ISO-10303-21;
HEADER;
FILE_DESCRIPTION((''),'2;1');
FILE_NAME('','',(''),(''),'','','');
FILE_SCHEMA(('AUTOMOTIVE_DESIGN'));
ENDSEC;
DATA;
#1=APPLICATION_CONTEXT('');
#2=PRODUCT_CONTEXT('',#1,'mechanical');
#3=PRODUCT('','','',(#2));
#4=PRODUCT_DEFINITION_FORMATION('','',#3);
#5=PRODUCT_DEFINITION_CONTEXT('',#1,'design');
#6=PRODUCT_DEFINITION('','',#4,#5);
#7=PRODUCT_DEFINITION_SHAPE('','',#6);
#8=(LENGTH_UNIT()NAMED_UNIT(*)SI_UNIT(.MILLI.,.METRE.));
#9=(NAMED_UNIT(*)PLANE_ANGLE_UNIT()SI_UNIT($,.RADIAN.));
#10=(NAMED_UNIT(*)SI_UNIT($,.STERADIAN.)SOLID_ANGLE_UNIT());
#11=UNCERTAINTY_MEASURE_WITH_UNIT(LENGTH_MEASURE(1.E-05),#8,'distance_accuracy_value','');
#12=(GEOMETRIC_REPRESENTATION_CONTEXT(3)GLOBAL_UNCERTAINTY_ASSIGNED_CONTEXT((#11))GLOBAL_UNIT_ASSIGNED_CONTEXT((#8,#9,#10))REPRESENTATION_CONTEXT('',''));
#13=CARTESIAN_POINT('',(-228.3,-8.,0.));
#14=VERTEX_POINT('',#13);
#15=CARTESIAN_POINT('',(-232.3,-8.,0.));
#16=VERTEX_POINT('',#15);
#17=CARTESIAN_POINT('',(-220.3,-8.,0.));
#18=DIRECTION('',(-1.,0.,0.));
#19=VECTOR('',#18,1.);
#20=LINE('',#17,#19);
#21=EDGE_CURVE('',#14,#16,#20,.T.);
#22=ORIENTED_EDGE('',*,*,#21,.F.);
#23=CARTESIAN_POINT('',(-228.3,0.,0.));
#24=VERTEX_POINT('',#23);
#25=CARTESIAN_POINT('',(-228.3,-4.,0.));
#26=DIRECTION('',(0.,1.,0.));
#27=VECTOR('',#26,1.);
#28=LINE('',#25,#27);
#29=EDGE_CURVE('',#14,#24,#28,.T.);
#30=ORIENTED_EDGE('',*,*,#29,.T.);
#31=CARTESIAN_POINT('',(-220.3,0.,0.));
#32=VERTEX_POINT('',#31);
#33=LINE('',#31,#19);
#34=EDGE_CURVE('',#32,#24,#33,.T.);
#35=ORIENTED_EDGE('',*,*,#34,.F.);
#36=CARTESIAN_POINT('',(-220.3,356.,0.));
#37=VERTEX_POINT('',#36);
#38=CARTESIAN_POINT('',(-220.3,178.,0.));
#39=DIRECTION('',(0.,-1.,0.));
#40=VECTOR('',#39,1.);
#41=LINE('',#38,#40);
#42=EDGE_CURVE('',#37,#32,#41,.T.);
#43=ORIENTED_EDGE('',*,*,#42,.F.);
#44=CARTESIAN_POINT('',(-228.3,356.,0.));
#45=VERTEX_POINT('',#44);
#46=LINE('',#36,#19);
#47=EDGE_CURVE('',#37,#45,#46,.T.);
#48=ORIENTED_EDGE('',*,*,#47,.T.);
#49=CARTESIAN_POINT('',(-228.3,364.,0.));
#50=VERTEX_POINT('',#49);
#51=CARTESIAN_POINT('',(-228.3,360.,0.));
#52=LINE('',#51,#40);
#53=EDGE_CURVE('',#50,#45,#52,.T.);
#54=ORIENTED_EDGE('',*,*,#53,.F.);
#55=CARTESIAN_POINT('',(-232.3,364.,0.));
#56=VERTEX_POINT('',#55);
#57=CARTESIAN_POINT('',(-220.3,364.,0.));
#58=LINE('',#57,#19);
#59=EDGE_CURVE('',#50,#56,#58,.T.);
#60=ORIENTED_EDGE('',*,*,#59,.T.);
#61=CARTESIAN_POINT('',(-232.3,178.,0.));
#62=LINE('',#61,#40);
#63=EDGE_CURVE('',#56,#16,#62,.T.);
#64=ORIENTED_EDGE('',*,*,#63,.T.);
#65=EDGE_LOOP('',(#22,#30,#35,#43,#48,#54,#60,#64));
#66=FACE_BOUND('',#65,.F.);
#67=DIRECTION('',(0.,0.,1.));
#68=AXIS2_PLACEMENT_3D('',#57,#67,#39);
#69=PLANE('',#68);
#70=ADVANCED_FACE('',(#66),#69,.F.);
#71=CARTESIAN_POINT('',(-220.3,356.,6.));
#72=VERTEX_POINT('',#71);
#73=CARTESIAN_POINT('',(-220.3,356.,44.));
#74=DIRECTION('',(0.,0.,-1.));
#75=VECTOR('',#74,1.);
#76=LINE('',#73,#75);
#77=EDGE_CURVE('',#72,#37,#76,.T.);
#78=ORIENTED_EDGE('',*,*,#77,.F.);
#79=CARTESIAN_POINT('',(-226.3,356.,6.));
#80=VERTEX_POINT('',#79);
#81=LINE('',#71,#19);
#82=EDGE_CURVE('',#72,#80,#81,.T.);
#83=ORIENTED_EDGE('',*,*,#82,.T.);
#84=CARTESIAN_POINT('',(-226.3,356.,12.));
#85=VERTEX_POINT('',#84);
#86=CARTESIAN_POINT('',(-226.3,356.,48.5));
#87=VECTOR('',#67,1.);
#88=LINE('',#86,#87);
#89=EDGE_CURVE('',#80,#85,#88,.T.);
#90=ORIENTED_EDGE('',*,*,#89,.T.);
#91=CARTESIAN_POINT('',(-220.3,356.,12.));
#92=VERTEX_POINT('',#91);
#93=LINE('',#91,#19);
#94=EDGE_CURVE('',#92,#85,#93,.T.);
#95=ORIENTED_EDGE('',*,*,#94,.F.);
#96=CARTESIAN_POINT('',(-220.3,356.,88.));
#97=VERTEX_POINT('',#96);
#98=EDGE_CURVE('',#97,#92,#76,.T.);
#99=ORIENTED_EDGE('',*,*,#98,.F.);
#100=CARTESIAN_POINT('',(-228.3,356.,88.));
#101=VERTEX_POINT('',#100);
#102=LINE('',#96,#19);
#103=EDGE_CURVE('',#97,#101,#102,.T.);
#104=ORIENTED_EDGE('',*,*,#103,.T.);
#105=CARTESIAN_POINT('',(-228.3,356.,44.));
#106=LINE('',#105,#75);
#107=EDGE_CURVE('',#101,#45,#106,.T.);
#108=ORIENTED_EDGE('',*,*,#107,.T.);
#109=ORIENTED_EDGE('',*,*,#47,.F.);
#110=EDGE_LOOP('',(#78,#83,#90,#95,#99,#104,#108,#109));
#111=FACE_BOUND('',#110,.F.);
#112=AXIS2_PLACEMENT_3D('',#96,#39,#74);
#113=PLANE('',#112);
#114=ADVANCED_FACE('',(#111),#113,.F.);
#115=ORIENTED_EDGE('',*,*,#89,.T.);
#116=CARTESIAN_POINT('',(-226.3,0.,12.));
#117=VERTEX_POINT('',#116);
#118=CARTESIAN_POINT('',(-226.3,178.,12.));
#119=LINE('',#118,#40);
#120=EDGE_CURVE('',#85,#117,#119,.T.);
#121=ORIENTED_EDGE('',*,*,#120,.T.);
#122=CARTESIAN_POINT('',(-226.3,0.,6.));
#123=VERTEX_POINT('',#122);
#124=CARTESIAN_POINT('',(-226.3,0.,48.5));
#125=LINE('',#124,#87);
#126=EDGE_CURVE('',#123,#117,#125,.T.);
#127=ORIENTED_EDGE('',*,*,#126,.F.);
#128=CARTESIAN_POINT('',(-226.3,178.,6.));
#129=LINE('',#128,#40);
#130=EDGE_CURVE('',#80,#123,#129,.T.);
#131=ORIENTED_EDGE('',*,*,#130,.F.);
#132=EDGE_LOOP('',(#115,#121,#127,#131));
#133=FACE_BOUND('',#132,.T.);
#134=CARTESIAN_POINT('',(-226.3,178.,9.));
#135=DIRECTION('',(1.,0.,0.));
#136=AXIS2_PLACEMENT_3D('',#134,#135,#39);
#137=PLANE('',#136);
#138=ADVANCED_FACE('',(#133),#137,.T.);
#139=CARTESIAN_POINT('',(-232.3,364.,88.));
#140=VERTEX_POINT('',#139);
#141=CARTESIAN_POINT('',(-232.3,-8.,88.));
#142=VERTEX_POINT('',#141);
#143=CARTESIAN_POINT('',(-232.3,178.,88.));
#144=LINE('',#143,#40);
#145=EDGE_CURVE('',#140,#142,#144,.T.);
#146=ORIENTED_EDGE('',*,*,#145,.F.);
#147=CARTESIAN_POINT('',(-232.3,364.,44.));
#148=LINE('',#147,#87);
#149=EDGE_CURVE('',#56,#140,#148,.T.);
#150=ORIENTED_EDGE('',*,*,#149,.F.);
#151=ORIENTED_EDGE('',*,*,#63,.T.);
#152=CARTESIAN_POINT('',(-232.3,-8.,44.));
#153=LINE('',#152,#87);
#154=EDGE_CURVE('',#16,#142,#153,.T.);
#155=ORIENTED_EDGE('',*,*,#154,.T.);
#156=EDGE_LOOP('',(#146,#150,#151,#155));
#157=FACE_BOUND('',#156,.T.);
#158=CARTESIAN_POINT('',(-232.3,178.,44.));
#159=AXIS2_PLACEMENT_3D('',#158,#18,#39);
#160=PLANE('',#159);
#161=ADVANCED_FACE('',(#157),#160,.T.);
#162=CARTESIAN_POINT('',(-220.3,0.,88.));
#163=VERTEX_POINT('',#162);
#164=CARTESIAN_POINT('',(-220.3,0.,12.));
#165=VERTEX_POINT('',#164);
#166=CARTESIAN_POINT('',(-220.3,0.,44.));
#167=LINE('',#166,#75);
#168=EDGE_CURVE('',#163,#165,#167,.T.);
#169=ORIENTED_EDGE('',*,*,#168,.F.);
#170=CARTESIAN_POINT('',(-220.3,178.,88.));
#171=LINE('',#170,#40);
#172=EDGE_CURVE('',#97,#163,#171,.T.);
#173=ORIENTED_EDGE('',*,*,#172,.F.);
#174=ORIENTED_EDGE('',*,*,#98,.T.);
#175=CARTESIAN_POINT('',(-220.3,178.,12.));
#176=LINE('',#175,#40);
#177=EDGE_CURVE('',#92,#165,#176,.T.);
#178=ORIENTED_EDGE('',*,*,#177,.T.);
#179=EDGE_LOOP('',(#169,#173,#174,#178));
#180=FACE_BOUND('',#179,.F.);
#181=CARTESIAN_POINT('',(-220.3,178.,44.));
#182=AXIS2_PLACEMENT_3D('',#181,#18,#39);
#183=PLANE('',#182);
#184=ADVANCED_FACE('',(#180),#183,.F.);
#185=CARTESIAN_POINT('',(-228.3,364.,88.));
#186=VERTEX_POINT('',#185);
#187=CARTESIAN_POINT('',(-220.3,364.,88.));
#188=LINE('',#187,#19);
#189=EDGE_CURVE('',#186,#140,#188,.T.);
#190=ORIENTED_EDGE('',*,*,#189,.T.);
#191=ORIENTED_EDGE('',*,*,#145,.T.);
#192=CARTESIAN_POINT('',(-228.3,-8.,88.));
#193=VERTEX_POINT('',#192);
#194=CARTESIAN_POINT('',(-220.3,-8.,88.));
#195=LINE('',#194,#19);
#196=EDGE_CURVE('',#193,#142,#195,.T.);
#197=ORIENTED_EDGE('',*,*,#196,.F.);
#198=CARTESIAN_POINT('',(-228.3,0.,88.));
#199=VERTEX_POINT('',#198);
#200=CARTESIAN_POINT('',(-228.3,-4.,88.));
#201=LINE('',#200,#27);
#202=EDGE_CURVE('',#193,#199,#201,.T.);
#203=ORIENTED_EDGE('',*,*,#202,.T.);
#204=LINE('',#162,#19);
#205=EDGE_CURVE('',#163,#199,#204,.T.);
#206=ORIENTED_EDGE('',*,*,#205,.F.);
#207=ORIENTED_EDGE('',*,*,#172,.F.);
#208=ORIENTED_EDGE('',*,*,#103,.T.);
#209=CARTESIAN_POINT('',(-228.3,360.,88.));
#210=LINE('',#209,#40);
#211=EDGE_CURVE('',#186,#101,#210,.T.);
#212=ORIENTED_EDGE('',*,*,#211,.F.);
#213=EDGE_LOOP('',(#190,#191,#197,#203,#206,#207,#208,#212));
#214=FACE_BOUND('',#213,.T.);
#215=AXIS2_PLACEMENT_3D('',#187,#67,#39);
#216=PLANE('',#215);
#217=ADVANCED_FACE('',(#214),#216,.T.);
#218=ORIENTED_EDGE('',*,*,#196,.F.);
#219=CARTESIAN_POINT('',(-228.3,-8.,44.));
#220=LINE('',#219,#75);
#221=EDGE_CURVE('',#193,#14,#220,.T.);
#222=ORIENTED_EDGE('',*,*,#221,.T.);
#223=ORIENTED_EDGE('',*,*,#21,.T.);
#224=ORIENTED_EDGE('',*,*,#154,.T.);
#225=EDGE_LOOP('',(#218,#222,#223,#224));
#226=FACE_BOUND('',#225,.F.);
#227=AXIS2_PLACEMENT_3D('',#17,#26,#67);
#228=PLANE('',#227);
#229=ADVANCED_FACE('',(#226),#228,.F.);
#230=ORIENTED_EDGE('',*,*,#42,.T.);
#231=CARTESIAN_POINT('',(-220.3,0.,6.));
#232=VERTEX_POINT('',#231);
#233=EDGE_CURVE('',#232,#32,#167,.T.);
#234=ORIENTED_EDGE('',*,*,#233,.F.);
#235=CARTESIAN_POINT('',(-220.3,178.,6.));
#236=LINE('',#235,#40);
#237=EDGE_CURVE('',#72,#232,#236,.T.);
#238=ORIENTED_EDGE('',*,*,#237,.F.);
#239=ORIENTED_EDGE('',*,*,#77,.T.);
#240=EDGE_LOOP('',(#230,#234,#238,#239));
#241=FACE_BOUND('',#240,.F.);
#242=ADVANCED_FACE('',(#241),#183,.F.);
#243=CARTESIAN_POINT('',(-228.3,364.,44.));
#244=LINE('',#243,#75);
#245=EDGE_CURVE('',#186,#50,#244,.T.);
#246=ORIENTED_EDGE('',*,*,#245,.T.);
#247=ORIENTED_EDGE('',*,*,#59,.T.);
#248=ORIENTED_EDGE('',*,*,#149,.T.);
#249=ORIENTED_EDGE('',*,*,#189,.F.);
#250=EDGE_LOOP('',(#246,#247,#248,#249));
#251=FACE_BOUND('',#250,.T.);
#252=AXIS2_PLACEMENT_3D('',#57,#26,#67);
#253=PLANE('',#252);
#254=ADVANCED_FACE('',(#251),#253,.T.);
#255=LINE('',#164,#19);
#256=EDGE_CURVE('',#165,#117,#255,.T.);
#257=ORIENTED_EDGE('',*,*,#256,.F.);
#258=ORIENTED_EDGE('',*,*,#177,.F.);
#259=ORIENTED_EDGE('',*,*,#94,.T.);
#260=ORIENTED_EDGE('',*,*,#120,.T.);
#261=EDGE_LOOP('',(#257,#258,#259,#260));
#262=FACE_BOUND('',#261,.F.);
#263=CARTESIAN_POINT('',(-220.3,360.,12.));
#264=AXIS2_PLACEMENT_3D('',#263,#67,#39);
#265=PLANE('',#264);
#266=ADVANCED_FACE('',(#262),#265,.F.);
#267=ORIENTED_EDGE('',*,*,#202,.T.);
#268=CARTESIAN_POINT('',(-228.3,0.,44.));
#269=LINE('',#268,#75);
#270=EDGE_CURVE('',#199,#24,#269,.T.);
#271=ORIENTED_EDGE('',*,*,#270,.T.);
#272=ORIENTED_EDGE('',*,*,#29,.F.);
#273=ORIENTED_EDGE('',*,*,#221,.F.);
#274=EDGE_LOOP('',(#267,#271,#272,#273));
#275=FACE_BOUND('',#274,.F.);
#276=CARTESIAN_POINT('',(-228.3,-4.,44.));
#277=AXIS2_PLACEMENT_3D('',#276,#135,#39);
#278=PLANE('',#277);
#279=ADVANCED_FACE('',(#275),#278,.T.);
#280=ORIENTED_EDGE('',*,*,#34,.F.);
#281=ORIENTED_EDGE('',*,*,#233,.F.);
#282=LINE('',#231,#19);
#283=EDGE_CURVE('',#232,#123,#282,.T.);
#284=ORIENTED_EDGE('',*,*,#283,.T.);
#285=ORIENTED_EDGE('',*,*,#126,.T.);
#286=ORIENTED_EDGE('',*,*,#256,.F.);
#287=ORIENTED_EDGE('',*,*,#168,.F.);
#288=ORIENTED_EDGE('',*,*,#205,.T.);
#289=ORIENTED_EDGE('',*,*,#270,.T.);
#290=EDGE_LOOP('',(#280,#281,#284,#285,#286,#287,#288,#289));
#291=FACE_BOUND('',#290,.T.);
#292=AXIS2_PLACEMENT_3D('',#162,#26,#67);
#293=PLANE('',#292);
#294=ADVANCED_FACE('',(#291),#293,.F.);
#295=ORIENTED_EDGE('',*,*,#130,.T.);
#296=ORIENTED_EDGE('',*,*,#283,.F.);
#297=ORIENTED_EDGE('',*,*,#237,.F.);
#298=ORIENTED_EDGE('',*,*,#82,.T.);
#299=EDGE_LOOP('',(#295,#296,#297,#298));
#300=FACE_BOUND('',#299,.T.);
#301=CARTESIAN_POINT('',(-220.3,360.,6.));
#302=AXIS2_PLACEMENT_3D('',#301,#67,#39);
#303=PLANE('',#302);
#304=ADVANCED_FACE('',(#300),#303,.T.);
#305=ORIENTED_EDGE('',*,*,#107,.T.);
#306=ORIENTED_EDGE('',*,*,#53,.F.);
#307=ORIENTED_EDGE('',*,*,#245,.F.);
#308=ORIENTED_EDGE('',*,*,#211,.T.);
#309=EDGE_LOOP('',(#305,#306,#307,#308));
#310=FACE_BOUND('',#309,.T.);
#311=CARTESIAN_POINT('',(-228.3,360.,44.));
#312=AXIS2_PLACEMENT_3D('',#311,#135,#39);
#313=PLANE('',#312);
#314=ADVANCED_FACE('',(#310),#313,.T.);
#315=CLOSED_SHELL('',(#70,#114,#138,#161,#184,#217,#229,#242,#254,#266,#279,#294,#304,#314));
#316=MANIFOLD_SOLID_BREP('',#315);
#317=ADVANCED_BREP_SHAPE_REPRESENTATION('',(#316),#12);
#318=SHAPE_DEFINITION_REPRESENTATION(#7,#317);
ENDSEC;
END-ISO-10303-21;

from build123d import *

# Parameters (mm, degrees)
SKETCH062_W             = 372
SKETCH062_H             = 88
PAD023_DEPTH            = 12
SKETCH063_W             = 8
SKETCH063_H             = 88
POCKET038_DEPTH         = 8
SKETCH064_W             = 364
SKETCH064_H             = 6
POCKET039_DEPTH         = 6
BODY022_ROLL_ANGLE      = 90
BODY022_PLACEMENT_ANGLE = -90


with BuildPart() as part:
    # Sketch062 → Pad023 (new body)
    with BuildSketch(Plane.XY):
        with Locations((0, 44)):
            Rectangle(SKETCH062_W, SKETCH062_H)
    extrude(amount=PAD023_DEPTH)

    # Sketch063 (on Face5 of Pad023) → Pocket038 (cut)
    with BuildSketch(Plane(origin=(0, 0, 0), x_dir=(1, 0, 0), z_dir=(0, 0, -1))):
        with Locations((-182, -44)):
            Rectangle(SKETCH063_W, SKETCH063_H)
    pocket038 = extrude(amount=-POCKET038_DEPTH, mode=Mode.SUBTRACT)

    # Mirrored014: Pocket038 across Sketch063 V_Axis
    add(pocket038.mirror(Plane(origin=(0, 0, 0), x_dir=(0, 0, -1), z_dir=(1, 0, 0))), mode=Mode.SUBTRACT)

    # Sketch064 (on Face3 of Mirrored014) → Pocket039 (cut)
    with BuildSketch(Plane(origin=(0, 0, 0), x_dir=(1, 0, 0), z_dir=(0, 0, -1))):
        with Locations((0, -9)):
            Rectangle(SKETCH064_W, SKETCH064_H)
    extrude(amount=-POCKET039_DEPTH, mode=Mode.SUBTRACT)


with BuildPart() as part_1:
    # Body022 roll: moved
    add(part.part.rotate(Axis((0, 0, 0), (1, 0, 0)), BODY022_ROLL_ANGLE))


with BuildPart() as part_2:
    # Body022 placement: moved
    add(part_1.part.moved(Location((-220.3, 178, 0))).rotate(Axis((-220.3, 178, 0), (0, 0, 1)), BODY022_PLACEMENT_ANGLE))


solid = part_2.part
